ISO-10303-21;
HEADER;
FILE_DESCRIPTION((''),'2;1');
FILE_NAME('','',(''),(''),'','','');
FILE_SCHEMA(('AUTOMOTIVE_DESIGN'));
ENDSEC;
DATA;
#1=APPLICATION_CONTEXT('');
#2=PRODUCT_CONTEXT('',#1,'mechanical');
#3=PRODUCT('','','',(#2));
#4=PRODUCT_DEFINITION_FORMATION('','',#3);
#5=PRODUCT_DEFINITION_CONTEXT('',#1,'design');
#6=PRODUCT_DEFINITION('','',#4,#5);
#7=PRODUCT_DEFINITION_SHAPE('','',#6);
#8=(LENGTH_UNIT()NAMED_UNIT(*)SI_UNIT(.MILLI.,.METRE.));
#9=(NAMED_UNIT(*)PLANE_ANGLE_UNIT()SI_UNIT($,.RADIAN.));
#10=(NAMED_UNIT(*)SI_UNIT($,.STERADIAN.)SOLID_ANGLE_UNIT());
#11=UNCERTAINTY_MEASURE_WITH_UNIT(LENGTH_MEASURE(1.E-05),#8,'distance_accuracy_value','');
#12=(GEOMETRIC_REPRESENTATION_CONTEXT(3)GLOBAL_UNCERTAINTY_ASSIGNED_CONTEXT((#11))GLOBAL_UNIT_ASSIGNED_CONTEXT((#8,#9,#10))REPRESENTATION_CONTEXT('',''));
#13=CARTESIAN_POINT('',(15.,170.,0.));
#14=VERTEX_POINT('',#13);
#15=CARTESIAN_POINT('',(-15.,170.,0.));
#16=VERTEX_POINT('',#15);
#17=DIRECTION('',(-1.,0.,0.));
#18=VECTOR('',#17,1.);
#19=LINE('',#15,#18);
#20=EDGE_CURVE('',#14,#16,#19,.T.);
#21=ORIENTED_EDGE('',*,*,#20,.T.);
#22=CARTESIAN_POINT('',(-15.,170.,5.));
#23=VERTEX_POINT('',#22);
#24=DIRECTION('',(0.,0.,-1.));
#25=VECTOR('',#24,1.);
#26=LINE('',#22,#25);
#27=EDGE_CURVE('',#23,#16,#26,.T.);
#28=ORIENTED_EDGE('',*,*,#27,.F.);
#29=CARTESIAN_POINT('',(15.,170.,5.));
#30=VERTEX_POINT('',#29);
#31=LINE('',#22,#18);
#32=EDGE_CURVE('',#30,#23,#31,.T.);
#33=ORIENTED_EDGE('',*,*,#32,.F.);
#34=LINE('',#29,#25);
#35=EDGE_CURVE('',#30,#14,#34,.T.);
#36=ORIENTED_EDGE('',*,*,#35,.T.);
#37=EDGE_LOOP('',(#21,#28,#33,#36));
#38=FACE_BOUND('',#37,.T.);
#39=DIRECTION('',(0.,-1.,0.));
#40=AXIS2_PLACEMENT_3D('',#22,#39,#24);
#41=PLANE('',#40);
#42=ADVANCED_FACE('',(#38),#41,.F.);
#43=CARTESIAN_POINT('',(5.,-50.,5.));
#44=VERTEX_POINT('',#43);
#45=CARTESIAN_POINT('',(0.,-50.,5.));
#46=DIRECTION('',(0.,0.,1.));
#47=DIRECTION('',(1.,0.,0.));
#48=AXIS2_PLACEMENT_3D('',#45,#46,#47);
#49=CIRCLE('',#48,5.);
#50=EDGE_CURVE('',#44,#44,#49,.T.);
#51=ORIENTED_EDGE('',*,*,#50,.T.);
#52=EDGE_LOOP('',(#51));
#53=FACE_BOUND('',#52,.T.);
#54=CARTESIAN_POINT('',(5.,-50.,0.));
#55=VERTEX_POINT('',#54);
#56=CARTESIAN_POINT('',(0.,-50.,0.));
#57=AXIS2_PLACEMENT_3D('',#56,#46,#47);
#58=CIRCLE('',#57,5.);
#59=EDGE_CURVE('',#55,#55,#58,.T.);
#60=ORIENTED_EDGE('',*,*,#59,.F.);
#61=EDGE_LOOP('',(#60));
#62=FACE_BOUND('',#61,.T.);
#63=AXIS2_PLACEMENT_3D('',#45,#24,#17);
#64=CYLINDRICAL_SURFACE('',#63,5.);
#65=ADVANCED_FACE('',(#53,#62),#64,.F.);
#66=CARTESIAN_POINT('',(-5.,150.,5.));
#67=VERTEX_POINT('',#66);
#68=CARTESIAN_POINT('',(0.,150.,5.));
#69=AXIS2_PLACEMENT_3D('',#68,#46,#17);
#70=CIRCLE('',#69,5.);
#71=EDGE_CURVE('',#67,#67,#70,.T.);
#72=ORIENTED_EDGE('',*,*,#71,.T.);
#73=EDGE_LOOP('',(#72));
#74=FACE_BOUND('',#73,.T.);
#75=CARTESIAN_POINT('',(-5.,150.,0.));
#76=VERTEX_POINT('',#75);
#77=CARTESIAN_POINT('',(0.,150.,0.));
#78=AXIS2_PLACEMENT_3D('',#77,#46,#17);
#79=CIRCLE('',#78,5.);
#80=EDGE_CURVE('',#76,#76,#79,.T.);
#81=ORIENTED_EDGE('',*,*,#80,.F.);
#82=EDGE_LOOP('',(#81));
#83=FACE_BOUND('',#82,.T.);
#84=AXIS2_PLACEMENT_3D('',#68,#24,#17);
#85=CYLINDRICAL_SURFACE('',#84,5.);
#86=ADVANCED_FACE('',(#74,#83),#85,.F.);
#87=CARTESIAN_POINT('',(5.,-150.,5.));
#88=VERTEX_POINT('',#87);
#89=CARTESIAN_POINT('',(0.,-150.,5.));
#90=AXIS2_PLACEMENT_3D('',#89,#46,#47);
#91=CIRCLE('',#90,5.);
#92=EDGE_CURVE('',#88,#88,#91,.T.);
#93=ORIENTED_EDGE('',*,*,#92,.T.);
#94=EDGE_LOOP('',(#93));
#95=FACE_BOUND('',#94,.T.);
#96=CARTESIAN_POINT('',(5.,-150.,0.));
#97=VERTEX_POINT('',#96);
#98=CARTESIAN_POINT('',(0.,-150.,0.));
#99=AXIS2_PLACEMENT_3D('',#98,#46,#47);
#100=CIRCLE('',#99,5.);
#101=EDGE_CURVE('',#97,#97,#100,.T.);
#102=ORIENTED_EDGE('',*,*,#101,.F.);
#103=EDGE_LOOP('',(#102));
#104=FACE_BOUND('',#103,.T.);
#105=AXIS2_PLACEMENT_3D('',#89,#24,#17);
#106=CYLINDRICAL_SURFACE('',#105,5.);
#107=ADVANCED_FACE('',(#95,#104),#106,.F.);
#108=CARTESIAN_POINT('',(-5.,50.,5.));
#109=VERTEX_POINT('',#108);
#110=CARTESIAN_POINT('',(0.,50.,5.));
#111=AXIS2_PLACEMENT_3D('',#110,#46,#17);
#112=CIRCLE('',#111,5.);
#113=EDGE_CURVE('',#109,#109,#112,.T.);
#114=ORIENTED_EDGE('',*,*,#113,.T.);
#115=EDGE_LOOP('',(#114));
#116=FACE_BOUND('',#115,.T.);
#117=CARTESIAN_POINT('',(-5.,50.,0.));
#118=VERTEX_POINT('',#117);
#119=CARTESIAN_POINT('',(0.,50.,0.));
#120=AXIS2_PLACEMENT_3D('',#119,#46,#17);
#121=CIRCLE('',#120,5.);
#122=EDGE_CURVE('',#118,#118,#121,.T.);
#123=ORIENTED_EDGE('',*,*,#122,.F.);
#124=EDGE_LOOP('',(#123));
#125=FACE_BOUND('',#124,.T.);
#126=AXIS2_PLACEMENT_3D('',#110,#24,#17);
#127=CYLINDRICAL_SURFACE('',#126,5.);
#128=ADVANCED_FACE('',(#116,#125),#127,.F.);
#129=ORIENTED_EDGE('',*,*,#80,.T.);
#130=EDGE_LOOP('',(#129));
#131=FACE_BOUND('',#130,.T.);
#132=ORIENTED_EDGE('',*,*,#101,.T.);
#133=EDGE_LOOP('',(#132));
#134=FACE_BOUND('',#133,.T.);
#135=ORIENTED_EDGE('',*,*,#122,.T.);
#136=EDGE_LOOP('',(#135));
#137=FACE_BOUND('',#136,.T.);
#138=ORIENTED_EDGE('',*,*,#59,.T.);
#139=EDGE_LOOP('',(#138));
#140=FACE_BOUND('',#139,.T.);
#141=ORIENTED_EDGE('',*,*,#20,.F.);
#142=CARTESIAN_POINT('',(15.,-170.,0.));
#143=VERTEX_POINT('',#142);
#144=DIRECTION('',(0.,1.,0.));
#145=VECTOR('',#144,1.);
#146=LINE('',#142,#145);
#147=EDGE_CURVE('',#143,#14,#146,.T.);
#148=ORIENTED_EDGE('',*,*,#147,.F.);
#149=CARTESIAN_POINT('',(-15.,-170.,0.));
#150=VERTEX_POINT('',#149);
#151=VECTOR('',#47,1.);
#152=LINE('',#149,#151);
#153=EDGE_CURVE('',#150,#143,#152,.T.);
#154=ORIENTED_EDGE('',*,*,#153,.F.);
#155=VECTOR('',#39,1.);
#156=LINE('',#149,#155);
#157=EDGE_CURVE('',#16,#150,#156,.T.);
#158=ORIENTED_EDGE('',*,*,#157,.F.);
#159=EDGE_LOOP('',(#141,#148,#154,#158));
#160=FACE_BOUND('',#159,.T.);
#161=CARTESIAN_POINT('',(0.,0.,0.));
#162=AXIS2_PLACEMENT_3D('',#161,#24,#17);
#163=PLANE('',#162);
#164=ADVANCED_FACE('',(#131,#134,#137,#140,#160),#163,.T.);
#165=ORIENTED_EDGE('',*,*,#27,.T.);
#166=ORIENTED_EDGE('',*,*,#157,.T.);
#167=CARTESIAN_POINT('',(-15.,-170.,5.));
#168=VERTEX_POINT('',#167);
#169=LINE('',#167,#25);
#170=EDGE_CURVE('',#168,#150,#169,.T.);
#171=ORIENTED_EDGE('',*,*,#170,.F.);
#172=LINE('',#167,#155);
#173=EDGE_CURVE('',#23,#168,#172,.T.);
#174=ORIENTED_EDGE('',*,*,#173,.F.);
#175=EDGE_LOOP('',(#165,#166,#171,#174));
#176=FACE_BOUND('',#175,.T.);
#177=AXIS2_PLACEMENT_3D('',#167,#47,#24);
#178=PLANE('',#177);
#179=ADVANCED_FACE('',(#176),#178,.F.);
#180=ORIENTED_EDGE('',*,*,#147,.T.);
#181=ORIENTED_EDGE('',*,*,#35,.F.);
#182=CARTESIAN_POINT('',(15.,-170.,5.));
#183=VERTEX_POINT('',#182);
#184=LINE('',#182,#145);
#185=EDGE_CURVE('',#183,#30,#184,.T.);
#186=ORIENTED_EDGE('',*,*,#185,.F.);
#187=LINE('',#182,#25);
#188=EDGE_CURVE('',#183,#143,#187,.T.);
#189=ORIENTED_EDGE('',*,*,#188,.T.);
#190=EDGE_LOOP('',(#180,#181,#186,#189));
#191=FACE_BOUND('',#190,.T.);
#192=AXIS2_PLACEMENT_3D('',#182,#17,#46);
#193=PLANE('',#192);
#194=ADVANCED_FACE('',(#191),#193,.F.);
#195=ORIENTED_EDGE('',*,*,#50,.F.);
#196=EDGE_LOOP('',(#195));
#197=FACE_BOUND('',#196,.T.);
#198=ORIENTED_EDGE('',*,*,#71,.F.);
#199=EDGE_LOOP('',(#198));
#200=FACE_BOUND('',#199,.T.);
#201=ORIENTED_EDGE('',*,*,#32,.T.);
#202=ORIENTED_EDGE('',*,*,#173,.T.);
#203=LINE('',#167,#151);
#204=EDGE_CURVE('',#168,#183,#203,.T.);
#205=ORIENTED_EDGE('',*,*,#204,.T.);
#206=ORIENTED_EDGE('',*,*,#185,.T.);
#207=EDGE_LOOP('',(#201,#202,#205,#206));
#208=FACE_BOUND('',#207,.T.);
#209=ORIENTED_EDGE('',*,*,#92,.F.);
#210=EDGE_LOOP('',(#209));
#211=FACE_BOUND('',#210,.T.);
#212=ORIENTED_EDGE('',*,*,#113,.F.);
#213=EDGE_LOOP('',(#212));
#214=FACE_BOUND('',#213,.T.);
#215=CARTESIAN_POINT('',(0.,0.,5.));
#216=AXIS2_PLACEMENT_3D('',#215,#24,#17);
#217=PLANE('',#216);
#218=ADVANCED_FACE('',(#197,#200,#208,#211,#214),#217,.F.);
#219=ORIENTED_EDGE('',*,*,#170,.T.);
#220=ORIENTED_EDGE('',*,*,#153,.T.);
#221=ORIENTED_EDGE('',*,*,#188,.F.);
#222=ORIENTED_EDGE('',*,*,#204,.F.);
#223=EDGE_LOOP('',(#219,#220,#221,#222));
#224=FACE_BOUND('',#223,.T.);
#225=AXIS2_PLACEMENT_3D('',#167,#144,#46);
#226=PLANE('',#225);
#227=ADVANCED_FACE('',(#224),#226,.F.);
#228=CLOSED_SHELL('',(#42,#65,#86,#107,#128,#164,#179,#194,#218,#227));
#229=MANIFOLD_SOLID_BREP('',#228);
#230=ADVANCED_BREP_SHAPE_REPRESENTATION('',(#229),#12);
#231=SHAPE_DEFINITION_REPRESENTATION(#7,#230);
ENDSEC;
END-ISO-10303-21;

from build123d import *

# Parameters (mm, degrees)
SKETCH1_W           = 30
SKETCH1_H           = 340
SKETCH1_R           = 5
BOSS_EXTRUDE1_DEPTH = 5


with BuildPart() as part:
    # Sketch1 → Boss-Extrude1 (new body)
    with BuildSketch(Plane.XY):
        Rectangle(SKETCH1_W, SKETCH1_H)
        with Locations((0, -50)):
            Circle(SKETCH1_R, mode=Mode.SUBTRACT)
        with Locations((0, -150)):
            Circle(SKETCH1_R, mode=Mode.SUBTRACT)
        with Locations(Location((0, 50, 0), (0, 0, 180))):
            Circle(SKETCH1_R, mode=Mode.SUBTRACT)
        with Locations(Location((0, 150, 0), (0, 0, 180))):
            Circle(SKETCH1_R, mode=Mode.SUBTRACT)
    extrude(amount=BOSS_EXTRUDE1_DEPTH)


solid = part.part
